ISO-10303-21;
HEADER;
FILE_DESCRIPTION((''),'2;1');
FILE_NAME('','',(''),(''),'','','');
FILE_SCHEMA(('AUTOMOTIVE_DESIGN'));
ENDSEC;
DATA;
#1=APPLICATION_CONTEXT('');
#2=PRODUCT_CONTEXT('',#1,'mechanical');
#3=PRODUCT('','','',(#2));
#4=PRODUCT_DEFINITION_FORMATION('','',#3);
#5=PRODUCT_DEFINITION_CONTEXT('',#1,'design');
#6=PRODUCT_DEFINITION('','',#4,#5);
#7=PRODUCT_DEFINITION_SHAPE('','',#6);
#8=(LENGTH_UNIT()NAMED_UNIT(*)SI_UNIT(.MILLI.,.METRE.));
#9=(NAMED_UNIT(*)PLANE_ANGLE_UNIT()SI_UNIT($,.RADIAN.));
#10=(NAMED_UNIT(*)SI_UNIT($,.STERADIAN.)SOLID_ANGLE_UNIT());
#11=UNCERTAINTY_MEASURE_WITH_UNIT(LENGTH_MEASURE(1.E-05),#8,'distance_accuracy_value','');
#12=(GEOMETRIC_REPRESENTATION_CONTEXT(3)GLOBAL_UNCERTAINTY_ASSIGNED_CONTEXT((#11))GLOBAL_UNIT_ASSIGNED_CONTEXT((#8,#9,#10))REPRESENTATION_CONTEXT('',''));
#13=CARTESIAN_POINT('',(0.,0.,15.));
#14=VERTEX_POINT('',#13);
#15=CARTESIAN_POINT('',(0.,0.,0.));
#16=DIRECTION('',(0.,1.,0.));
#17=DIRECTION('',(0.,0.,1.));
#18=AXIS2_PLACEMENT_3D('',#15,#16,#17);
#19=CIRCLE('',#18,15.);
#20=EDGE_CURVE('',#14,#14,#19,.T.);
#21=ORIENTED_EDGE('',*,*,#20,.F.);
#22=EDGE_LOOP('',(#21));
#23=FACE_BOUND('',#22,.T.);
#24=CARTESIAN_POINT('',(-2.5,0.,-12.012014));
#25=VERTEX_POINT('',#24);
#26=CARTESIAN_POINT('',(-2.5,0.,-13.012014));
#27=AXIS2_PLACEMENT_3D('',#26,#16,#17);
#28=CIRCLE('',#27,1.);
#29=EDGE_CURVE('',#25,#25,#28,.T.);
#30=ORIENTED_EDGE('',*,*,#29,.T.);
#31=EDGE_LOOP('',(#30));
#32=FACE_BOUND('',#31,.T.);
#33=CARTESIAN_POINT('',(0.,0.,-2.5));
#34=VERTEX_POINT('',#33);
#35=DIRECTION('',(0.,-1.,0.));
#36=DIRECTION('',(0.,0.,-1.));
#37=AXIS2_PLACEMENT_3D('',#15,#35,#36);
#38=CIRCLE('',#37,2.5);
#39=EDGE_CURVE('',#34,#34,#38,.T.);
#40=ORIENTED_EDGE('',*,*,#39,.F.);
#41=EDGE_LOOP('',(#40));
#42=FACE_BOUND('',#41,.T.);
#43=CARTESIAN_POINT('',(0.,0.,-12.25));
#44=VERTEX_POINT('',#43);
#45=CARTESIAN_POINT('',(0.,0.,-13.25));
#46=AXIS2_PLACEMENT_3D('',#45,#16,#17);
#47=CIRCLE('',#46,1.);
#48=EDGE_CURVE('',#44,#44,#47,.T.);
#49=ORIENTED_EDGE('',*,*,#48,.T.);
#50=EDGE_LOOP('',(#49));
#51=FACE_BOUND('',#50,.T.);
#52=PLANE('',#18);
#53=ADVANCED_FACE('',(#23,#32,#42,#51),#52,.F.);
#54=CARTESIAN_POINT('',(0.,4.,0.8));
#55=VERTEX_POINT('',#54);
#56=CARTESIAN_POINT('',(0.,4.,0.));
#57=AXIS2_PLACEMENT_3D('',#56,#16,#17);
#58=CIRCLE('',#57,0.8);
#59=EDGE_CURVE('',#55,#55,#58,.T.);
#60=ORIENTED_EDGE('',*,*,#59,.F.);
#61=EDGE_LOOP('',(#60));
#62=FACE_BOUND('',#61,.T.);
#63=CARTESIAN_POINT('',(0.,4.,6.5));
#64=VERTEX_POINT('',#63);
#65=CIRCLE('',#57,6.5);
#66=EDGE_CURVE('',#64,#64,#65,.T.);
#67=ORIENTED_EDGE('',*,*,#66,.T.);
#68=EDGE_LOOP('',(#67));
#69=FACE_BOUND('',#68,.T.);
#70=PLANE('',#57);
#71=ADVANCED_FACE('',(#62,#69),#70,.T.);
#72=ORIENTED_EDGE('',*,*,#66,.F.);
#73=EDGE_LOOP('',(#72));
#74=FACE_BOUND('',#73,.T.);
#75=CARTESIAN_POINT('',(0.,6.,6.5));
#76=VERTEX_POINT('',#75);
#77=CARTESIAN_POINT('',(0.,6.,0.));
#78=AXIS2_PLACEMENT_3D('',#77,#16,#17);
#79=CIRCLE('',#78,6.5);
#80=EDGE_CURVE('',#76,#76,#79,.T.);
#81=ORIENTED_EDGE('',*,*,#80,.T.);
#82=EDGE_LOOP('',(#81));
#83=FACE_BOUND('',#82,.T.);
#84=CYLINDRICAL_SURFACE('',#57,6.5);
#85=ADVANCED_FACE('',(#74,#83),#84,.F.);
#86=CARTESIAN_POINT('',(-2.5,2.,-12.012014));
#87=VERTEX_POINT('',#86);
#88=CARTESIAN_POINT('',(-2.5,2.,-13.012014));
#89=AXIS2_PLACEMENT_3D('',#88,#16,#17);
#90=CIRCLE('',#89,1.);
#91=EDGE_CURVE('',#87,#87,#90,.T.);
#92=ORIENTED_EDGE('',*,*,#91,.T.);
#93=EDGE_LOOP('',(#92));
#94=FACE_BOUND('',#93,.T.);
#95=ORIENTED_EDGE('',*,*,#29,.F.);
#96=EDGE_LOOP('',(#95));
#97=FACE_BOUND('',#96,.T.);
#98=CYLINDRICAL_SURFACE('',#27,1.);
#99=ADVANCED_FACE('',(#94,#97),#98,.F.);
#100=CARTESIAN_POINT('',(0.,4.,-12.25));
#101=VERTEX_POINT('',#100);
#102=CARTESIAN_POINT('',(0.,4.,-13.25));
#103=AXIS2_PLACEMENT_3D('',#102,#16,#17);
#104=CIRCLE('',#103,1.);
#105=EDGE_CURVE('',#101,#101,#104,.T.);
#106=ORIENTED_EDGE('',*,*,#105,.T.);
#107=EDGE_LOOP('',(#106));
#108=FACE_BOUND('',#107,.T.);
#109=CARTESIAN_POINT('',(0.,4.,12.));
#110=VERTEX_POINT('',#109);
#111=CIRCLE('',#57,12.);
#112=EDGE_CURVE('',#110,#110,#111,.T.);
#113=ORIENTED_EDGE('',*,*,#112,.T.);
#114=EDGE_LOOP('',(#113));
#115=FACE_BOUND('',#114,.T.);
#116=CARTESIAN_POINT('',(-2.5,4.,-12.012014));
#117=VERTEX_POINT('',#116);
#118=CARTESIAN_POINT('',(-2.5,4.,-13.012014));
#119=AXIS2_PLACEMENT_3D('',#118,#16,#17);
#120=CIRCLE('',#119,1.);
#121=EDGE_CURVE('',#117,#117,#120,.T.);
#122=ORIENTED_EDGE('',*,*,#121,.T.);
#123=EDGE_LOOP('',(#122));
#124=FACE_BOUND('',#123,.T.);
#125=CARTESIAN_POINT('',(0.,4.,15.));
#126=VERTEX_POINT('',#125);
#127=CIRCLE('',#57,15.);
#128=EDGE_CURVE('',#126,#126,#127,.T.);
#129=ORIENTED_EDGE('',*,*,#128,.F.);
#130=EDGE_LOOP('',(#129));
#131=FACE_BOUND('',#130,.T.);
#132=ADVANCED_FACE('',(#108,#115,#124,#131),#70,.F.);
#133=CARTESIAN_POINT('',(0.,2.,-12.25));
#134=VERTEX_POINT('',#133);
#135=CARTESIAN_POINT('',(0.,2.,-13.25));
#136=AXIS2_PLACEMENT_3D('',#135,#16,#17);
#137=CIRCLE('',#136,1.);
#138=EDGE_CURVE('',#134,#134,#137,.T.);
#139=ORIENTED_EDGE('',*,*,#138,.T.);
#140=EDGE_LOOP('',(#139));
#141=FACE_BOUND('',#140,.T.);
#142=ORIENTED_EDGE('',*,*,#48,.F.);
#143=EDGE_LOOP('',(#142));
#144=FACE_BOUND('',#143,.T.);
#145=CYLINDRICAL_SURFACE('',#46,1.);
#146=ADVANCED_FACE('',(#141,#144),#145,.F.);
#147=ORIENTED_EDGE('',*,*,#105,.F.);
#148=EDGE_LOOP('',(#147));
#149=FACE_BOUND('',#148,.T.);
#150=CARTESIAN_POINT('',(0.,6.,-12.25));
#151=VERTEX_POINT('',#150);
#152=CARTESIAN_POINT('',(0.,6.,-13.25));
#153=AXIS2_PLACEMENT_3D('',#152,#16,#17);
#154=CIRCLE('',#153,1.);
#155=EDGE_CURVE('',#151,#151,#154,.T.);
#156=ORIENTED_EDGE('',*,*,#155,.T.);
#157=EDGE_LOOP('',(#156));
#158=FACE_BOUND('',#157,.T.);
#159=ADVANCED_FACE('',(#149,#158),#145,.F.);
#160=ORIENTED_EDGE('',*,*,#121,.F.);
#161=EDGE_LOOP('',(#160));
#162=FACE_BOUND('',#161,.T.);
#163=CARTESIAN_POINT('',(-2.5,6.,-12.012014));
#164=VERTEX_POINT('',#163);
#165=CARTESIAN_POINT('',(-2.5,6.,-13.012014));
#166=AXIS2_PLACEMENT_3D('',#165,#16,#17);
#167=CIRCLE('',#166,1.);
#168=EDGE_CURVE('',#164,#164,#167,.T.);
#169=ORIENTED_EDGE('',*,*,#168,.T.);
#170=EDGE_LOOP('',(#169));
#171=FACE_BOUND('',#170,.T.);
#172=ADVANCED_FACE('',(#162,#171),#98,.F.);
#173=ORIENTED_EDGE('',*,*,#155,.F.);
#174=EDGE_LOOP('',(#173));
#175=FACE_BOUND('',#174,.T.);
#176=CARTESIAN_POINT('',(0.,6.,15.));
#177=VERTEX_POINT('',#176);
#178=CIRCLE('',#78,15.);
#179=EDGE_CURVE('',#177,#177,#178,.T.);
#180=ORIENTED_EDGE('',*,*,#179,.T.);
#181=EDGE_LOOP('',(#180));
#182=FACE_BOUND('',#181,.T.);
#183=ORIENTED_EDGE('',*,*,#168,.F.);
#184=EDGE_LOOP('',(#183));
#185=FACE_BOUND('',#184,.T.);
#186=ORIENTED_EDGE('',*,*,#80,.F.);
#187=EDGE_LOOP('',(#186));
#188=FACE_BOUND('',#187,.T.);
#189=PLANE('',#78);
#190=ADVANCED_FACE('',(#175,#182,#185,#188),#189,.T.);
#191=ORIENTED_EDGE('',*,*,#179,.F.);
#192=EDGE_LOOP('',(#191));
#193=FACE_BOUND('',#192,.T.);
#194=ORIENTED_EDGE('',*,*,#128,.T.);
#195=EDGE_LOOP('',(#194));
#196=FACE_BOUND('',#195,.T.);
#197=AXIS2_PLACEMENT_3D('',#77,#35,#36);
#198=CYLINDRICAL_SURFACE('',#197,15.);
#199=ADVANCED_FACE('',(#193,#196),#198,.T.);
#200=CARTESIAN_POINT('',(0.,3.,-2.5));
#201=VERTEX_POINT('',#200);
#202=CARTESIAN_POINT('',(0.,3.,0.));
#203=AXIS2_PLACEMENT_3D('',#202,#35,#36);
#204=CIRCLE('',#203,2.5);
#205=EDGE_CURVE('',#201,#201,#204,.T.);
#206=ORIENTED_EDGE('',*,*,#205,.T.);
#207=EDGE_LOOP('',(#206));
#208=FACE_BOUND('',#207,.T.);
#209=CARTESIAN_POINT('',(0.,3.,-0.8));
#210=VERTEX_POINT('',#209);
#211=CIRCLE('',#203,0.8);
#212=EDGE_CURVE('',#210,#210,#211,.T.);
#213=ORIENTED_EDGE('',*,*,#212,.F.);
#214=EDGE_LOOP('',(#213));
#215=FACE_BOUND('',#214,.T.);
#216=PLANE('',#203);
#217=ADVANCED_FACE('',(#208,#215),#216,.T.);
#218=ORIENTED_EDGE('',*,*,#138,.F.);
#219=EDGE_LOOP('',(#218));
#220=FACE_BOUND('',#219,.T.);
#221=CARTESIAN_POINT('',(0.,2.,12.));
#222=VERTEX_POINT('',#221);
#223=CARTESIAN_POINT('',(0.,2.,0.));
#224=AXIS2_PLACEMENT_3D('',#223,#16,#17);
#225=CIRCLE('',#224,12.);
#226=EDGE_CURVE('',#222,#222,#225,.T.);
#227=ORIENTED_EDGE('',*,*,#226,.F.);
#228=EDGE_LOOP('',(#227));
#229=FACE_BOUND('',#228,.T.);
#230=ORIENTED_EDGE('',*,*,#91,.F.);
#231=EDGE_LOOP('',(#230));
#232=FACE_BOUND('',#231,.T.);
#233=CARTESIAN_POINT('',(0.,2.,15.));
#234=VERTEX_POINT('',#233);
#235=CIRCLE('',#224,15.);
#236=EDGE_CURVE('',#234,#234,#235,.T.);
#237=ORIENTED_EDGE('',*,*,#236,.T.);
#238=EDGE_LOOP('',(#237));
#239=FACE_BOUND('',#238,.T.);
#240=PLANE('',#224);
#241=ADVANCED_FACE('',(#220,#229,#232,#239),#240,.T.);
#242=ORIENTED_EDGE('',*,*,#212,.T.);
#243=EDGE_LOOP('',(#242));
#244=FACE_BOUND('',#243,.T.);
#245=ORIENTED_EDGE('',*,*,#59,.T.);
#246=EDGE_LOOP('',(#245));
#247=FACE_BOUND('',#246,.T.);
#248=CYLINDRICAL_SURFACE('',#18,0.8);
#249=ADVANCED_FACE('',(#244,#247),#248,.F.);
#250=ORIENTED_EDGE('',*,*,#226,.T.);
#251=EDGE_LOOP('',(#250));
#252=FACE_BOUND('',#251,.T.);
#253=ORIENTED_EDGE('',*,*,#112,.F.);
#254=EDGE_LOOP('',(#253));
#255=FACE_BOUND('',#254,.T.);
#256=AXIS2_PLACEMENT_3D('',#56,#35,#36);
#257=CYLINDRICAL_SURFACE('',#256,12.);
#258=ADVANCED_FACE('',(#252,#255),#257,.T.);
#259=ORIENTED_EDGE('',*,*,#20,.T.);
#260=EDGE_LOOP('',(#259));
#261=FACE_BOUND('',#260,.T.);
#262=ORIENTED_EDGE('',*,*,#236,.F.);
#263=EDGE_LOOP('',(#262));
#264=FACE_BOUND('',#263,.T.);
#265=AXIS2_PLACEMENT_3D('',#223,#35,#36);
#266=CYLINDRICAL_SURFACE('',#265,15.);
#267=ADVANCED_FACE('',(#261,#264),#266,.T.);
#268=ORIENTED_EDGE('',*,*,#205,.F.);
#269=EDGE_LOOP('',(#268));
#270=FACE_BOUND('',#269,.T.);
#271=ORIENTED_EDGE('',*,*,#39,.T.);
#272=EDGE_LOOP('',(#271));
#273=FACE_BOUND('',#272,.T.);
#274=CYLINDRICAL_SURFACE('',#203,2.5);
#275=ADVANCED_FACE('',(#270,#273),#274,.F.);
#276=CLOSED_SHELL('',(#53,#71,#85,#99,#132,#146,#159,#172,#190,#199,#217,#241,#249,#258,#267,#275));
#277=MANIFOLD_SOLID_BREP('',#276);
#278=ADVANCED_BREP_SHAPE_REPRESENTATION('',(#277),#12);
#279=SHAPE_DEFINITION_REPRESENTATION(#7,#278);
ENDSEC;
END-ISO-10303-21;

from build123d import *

# Parameters (mm, degrees)
SKETCH1_R           = 15
BOSS_EXTRUDE1_DEPTH = 2
SKETCH2_R           = 12
BOSS_EXTRUDE2_DEPTH = 2
SKETCH3_R           = 15
BOSS_EXTRUDE3_DEPTH = 2
SKETCH6_R           = 2.5
CUT_EXTRUDE5_DEPTH  = 3
SKETCH4_R           = 6.5
CUT_EXTRUDE6_DEPTH  = 2
SKETCH10_R          = 0.8
CUT_EXTRUDE7_DEPTH  = 22.587033145
SKETCH11_R          = 1
CUT_EXTRUDE8_DEPTH  = 23.045407685


with BuildPart() as part:
    # Sketch1 → Boss-Extrude1 (new body)
    with BuildSketch(Plane(origin=(0, 0, 0), x_dir=(1, 0, 0), z_dir=(0, 1, 0))):
        with Locations(Location((0, 0, 0), (0, 0, 270))):
            Circle(SKETCH1_R)
    extrude(amount=BOSS_EXTRUDE1_DEPTH)

    # Sketch2 → Boss-Extrude2 (add)
    with BuildSketch(Plane(origin=(0, 2, 0), x_dir=(1, 0, 0), z_dir=(0, 1, 0))):
        with Locations(Location((0, 0, 0), (0, 0, 270))):
            Circle(SKETCH2_R)
    extrude(amount=BOSS_EXTRUDE2_DEPTH)

    # Sketch3 → Boss-Extrude3 (add)
    with BuildSketch(Plane(origin=(0, 4, 0), x_dir=(1, 0, 0), z_dir=(0, 1, 0))):
        with Locations(Location((0, 0, 0), (0, 0, 270))):
            Circle(SKETCH3_R)
    extrude(amount=BOSS_EXTRUDE3_DEPTH)

    # Sketch6 → Cut-Extrude5 (cut)
    with BuildSketch(Plane.XZ):
        with Locations(Location((0, 0, 0), (0, 0, 270))):
            Circle(SKETCH6_R)
    extrude(amount=-CUT_EXTRUDE5_DEPTH, mode=Mode.SUBTRACT)

    # Sketch4 → Cut-Extrude6 (cut)
    with BuildSketch(Plane(origin=(0, 6, 0), x_dir=(1, 0, 0), z_dir=(0, 1, 0))):
        with Locations(Location((0, 0, 0), (0, 0, 270))):
            Circle(SKETCH4_R)
    extrude(amount=-CUT_EXTRUDE6_DEPTH, mode=Mode.SUBTRACT)

    # Sketch10 → Cut-Extrude7 (cut, through all)
    with BuildSketch(Plane(origin=(0, 4, 0), x_dir=(1, 0, 0), z_dir=(0, 1, 0))):
        with Locations(Location((0, 0, 0), (0, 0, 270))):
            Circle(SKETCH10_R)
    extrude(amount=-CUT_EXTRUDE7_DEPTH, mode=Mode.SUBTRACT)

    # Sketch11 → Cut-Extrude8 (cut, through all)
    with BuildSketch(Plane(origin=(0, 6, 0), x_dir=(1, 0, 0), z_dir=(0, 1, 0))):
        with Locations(Location((0, 13.25, 0), (0, 0, 270))):
            Circle(SKETCH11_R)
        with Locations(Location((-2.5, 13.01201368, 0), (0, 0, 270))):
            Circle(SKETCH11_R)
    extrude(amount=-CUT_EXTRUDE8_DEPTH, mode=Mode.SUBTRACT)


solid = part.part
